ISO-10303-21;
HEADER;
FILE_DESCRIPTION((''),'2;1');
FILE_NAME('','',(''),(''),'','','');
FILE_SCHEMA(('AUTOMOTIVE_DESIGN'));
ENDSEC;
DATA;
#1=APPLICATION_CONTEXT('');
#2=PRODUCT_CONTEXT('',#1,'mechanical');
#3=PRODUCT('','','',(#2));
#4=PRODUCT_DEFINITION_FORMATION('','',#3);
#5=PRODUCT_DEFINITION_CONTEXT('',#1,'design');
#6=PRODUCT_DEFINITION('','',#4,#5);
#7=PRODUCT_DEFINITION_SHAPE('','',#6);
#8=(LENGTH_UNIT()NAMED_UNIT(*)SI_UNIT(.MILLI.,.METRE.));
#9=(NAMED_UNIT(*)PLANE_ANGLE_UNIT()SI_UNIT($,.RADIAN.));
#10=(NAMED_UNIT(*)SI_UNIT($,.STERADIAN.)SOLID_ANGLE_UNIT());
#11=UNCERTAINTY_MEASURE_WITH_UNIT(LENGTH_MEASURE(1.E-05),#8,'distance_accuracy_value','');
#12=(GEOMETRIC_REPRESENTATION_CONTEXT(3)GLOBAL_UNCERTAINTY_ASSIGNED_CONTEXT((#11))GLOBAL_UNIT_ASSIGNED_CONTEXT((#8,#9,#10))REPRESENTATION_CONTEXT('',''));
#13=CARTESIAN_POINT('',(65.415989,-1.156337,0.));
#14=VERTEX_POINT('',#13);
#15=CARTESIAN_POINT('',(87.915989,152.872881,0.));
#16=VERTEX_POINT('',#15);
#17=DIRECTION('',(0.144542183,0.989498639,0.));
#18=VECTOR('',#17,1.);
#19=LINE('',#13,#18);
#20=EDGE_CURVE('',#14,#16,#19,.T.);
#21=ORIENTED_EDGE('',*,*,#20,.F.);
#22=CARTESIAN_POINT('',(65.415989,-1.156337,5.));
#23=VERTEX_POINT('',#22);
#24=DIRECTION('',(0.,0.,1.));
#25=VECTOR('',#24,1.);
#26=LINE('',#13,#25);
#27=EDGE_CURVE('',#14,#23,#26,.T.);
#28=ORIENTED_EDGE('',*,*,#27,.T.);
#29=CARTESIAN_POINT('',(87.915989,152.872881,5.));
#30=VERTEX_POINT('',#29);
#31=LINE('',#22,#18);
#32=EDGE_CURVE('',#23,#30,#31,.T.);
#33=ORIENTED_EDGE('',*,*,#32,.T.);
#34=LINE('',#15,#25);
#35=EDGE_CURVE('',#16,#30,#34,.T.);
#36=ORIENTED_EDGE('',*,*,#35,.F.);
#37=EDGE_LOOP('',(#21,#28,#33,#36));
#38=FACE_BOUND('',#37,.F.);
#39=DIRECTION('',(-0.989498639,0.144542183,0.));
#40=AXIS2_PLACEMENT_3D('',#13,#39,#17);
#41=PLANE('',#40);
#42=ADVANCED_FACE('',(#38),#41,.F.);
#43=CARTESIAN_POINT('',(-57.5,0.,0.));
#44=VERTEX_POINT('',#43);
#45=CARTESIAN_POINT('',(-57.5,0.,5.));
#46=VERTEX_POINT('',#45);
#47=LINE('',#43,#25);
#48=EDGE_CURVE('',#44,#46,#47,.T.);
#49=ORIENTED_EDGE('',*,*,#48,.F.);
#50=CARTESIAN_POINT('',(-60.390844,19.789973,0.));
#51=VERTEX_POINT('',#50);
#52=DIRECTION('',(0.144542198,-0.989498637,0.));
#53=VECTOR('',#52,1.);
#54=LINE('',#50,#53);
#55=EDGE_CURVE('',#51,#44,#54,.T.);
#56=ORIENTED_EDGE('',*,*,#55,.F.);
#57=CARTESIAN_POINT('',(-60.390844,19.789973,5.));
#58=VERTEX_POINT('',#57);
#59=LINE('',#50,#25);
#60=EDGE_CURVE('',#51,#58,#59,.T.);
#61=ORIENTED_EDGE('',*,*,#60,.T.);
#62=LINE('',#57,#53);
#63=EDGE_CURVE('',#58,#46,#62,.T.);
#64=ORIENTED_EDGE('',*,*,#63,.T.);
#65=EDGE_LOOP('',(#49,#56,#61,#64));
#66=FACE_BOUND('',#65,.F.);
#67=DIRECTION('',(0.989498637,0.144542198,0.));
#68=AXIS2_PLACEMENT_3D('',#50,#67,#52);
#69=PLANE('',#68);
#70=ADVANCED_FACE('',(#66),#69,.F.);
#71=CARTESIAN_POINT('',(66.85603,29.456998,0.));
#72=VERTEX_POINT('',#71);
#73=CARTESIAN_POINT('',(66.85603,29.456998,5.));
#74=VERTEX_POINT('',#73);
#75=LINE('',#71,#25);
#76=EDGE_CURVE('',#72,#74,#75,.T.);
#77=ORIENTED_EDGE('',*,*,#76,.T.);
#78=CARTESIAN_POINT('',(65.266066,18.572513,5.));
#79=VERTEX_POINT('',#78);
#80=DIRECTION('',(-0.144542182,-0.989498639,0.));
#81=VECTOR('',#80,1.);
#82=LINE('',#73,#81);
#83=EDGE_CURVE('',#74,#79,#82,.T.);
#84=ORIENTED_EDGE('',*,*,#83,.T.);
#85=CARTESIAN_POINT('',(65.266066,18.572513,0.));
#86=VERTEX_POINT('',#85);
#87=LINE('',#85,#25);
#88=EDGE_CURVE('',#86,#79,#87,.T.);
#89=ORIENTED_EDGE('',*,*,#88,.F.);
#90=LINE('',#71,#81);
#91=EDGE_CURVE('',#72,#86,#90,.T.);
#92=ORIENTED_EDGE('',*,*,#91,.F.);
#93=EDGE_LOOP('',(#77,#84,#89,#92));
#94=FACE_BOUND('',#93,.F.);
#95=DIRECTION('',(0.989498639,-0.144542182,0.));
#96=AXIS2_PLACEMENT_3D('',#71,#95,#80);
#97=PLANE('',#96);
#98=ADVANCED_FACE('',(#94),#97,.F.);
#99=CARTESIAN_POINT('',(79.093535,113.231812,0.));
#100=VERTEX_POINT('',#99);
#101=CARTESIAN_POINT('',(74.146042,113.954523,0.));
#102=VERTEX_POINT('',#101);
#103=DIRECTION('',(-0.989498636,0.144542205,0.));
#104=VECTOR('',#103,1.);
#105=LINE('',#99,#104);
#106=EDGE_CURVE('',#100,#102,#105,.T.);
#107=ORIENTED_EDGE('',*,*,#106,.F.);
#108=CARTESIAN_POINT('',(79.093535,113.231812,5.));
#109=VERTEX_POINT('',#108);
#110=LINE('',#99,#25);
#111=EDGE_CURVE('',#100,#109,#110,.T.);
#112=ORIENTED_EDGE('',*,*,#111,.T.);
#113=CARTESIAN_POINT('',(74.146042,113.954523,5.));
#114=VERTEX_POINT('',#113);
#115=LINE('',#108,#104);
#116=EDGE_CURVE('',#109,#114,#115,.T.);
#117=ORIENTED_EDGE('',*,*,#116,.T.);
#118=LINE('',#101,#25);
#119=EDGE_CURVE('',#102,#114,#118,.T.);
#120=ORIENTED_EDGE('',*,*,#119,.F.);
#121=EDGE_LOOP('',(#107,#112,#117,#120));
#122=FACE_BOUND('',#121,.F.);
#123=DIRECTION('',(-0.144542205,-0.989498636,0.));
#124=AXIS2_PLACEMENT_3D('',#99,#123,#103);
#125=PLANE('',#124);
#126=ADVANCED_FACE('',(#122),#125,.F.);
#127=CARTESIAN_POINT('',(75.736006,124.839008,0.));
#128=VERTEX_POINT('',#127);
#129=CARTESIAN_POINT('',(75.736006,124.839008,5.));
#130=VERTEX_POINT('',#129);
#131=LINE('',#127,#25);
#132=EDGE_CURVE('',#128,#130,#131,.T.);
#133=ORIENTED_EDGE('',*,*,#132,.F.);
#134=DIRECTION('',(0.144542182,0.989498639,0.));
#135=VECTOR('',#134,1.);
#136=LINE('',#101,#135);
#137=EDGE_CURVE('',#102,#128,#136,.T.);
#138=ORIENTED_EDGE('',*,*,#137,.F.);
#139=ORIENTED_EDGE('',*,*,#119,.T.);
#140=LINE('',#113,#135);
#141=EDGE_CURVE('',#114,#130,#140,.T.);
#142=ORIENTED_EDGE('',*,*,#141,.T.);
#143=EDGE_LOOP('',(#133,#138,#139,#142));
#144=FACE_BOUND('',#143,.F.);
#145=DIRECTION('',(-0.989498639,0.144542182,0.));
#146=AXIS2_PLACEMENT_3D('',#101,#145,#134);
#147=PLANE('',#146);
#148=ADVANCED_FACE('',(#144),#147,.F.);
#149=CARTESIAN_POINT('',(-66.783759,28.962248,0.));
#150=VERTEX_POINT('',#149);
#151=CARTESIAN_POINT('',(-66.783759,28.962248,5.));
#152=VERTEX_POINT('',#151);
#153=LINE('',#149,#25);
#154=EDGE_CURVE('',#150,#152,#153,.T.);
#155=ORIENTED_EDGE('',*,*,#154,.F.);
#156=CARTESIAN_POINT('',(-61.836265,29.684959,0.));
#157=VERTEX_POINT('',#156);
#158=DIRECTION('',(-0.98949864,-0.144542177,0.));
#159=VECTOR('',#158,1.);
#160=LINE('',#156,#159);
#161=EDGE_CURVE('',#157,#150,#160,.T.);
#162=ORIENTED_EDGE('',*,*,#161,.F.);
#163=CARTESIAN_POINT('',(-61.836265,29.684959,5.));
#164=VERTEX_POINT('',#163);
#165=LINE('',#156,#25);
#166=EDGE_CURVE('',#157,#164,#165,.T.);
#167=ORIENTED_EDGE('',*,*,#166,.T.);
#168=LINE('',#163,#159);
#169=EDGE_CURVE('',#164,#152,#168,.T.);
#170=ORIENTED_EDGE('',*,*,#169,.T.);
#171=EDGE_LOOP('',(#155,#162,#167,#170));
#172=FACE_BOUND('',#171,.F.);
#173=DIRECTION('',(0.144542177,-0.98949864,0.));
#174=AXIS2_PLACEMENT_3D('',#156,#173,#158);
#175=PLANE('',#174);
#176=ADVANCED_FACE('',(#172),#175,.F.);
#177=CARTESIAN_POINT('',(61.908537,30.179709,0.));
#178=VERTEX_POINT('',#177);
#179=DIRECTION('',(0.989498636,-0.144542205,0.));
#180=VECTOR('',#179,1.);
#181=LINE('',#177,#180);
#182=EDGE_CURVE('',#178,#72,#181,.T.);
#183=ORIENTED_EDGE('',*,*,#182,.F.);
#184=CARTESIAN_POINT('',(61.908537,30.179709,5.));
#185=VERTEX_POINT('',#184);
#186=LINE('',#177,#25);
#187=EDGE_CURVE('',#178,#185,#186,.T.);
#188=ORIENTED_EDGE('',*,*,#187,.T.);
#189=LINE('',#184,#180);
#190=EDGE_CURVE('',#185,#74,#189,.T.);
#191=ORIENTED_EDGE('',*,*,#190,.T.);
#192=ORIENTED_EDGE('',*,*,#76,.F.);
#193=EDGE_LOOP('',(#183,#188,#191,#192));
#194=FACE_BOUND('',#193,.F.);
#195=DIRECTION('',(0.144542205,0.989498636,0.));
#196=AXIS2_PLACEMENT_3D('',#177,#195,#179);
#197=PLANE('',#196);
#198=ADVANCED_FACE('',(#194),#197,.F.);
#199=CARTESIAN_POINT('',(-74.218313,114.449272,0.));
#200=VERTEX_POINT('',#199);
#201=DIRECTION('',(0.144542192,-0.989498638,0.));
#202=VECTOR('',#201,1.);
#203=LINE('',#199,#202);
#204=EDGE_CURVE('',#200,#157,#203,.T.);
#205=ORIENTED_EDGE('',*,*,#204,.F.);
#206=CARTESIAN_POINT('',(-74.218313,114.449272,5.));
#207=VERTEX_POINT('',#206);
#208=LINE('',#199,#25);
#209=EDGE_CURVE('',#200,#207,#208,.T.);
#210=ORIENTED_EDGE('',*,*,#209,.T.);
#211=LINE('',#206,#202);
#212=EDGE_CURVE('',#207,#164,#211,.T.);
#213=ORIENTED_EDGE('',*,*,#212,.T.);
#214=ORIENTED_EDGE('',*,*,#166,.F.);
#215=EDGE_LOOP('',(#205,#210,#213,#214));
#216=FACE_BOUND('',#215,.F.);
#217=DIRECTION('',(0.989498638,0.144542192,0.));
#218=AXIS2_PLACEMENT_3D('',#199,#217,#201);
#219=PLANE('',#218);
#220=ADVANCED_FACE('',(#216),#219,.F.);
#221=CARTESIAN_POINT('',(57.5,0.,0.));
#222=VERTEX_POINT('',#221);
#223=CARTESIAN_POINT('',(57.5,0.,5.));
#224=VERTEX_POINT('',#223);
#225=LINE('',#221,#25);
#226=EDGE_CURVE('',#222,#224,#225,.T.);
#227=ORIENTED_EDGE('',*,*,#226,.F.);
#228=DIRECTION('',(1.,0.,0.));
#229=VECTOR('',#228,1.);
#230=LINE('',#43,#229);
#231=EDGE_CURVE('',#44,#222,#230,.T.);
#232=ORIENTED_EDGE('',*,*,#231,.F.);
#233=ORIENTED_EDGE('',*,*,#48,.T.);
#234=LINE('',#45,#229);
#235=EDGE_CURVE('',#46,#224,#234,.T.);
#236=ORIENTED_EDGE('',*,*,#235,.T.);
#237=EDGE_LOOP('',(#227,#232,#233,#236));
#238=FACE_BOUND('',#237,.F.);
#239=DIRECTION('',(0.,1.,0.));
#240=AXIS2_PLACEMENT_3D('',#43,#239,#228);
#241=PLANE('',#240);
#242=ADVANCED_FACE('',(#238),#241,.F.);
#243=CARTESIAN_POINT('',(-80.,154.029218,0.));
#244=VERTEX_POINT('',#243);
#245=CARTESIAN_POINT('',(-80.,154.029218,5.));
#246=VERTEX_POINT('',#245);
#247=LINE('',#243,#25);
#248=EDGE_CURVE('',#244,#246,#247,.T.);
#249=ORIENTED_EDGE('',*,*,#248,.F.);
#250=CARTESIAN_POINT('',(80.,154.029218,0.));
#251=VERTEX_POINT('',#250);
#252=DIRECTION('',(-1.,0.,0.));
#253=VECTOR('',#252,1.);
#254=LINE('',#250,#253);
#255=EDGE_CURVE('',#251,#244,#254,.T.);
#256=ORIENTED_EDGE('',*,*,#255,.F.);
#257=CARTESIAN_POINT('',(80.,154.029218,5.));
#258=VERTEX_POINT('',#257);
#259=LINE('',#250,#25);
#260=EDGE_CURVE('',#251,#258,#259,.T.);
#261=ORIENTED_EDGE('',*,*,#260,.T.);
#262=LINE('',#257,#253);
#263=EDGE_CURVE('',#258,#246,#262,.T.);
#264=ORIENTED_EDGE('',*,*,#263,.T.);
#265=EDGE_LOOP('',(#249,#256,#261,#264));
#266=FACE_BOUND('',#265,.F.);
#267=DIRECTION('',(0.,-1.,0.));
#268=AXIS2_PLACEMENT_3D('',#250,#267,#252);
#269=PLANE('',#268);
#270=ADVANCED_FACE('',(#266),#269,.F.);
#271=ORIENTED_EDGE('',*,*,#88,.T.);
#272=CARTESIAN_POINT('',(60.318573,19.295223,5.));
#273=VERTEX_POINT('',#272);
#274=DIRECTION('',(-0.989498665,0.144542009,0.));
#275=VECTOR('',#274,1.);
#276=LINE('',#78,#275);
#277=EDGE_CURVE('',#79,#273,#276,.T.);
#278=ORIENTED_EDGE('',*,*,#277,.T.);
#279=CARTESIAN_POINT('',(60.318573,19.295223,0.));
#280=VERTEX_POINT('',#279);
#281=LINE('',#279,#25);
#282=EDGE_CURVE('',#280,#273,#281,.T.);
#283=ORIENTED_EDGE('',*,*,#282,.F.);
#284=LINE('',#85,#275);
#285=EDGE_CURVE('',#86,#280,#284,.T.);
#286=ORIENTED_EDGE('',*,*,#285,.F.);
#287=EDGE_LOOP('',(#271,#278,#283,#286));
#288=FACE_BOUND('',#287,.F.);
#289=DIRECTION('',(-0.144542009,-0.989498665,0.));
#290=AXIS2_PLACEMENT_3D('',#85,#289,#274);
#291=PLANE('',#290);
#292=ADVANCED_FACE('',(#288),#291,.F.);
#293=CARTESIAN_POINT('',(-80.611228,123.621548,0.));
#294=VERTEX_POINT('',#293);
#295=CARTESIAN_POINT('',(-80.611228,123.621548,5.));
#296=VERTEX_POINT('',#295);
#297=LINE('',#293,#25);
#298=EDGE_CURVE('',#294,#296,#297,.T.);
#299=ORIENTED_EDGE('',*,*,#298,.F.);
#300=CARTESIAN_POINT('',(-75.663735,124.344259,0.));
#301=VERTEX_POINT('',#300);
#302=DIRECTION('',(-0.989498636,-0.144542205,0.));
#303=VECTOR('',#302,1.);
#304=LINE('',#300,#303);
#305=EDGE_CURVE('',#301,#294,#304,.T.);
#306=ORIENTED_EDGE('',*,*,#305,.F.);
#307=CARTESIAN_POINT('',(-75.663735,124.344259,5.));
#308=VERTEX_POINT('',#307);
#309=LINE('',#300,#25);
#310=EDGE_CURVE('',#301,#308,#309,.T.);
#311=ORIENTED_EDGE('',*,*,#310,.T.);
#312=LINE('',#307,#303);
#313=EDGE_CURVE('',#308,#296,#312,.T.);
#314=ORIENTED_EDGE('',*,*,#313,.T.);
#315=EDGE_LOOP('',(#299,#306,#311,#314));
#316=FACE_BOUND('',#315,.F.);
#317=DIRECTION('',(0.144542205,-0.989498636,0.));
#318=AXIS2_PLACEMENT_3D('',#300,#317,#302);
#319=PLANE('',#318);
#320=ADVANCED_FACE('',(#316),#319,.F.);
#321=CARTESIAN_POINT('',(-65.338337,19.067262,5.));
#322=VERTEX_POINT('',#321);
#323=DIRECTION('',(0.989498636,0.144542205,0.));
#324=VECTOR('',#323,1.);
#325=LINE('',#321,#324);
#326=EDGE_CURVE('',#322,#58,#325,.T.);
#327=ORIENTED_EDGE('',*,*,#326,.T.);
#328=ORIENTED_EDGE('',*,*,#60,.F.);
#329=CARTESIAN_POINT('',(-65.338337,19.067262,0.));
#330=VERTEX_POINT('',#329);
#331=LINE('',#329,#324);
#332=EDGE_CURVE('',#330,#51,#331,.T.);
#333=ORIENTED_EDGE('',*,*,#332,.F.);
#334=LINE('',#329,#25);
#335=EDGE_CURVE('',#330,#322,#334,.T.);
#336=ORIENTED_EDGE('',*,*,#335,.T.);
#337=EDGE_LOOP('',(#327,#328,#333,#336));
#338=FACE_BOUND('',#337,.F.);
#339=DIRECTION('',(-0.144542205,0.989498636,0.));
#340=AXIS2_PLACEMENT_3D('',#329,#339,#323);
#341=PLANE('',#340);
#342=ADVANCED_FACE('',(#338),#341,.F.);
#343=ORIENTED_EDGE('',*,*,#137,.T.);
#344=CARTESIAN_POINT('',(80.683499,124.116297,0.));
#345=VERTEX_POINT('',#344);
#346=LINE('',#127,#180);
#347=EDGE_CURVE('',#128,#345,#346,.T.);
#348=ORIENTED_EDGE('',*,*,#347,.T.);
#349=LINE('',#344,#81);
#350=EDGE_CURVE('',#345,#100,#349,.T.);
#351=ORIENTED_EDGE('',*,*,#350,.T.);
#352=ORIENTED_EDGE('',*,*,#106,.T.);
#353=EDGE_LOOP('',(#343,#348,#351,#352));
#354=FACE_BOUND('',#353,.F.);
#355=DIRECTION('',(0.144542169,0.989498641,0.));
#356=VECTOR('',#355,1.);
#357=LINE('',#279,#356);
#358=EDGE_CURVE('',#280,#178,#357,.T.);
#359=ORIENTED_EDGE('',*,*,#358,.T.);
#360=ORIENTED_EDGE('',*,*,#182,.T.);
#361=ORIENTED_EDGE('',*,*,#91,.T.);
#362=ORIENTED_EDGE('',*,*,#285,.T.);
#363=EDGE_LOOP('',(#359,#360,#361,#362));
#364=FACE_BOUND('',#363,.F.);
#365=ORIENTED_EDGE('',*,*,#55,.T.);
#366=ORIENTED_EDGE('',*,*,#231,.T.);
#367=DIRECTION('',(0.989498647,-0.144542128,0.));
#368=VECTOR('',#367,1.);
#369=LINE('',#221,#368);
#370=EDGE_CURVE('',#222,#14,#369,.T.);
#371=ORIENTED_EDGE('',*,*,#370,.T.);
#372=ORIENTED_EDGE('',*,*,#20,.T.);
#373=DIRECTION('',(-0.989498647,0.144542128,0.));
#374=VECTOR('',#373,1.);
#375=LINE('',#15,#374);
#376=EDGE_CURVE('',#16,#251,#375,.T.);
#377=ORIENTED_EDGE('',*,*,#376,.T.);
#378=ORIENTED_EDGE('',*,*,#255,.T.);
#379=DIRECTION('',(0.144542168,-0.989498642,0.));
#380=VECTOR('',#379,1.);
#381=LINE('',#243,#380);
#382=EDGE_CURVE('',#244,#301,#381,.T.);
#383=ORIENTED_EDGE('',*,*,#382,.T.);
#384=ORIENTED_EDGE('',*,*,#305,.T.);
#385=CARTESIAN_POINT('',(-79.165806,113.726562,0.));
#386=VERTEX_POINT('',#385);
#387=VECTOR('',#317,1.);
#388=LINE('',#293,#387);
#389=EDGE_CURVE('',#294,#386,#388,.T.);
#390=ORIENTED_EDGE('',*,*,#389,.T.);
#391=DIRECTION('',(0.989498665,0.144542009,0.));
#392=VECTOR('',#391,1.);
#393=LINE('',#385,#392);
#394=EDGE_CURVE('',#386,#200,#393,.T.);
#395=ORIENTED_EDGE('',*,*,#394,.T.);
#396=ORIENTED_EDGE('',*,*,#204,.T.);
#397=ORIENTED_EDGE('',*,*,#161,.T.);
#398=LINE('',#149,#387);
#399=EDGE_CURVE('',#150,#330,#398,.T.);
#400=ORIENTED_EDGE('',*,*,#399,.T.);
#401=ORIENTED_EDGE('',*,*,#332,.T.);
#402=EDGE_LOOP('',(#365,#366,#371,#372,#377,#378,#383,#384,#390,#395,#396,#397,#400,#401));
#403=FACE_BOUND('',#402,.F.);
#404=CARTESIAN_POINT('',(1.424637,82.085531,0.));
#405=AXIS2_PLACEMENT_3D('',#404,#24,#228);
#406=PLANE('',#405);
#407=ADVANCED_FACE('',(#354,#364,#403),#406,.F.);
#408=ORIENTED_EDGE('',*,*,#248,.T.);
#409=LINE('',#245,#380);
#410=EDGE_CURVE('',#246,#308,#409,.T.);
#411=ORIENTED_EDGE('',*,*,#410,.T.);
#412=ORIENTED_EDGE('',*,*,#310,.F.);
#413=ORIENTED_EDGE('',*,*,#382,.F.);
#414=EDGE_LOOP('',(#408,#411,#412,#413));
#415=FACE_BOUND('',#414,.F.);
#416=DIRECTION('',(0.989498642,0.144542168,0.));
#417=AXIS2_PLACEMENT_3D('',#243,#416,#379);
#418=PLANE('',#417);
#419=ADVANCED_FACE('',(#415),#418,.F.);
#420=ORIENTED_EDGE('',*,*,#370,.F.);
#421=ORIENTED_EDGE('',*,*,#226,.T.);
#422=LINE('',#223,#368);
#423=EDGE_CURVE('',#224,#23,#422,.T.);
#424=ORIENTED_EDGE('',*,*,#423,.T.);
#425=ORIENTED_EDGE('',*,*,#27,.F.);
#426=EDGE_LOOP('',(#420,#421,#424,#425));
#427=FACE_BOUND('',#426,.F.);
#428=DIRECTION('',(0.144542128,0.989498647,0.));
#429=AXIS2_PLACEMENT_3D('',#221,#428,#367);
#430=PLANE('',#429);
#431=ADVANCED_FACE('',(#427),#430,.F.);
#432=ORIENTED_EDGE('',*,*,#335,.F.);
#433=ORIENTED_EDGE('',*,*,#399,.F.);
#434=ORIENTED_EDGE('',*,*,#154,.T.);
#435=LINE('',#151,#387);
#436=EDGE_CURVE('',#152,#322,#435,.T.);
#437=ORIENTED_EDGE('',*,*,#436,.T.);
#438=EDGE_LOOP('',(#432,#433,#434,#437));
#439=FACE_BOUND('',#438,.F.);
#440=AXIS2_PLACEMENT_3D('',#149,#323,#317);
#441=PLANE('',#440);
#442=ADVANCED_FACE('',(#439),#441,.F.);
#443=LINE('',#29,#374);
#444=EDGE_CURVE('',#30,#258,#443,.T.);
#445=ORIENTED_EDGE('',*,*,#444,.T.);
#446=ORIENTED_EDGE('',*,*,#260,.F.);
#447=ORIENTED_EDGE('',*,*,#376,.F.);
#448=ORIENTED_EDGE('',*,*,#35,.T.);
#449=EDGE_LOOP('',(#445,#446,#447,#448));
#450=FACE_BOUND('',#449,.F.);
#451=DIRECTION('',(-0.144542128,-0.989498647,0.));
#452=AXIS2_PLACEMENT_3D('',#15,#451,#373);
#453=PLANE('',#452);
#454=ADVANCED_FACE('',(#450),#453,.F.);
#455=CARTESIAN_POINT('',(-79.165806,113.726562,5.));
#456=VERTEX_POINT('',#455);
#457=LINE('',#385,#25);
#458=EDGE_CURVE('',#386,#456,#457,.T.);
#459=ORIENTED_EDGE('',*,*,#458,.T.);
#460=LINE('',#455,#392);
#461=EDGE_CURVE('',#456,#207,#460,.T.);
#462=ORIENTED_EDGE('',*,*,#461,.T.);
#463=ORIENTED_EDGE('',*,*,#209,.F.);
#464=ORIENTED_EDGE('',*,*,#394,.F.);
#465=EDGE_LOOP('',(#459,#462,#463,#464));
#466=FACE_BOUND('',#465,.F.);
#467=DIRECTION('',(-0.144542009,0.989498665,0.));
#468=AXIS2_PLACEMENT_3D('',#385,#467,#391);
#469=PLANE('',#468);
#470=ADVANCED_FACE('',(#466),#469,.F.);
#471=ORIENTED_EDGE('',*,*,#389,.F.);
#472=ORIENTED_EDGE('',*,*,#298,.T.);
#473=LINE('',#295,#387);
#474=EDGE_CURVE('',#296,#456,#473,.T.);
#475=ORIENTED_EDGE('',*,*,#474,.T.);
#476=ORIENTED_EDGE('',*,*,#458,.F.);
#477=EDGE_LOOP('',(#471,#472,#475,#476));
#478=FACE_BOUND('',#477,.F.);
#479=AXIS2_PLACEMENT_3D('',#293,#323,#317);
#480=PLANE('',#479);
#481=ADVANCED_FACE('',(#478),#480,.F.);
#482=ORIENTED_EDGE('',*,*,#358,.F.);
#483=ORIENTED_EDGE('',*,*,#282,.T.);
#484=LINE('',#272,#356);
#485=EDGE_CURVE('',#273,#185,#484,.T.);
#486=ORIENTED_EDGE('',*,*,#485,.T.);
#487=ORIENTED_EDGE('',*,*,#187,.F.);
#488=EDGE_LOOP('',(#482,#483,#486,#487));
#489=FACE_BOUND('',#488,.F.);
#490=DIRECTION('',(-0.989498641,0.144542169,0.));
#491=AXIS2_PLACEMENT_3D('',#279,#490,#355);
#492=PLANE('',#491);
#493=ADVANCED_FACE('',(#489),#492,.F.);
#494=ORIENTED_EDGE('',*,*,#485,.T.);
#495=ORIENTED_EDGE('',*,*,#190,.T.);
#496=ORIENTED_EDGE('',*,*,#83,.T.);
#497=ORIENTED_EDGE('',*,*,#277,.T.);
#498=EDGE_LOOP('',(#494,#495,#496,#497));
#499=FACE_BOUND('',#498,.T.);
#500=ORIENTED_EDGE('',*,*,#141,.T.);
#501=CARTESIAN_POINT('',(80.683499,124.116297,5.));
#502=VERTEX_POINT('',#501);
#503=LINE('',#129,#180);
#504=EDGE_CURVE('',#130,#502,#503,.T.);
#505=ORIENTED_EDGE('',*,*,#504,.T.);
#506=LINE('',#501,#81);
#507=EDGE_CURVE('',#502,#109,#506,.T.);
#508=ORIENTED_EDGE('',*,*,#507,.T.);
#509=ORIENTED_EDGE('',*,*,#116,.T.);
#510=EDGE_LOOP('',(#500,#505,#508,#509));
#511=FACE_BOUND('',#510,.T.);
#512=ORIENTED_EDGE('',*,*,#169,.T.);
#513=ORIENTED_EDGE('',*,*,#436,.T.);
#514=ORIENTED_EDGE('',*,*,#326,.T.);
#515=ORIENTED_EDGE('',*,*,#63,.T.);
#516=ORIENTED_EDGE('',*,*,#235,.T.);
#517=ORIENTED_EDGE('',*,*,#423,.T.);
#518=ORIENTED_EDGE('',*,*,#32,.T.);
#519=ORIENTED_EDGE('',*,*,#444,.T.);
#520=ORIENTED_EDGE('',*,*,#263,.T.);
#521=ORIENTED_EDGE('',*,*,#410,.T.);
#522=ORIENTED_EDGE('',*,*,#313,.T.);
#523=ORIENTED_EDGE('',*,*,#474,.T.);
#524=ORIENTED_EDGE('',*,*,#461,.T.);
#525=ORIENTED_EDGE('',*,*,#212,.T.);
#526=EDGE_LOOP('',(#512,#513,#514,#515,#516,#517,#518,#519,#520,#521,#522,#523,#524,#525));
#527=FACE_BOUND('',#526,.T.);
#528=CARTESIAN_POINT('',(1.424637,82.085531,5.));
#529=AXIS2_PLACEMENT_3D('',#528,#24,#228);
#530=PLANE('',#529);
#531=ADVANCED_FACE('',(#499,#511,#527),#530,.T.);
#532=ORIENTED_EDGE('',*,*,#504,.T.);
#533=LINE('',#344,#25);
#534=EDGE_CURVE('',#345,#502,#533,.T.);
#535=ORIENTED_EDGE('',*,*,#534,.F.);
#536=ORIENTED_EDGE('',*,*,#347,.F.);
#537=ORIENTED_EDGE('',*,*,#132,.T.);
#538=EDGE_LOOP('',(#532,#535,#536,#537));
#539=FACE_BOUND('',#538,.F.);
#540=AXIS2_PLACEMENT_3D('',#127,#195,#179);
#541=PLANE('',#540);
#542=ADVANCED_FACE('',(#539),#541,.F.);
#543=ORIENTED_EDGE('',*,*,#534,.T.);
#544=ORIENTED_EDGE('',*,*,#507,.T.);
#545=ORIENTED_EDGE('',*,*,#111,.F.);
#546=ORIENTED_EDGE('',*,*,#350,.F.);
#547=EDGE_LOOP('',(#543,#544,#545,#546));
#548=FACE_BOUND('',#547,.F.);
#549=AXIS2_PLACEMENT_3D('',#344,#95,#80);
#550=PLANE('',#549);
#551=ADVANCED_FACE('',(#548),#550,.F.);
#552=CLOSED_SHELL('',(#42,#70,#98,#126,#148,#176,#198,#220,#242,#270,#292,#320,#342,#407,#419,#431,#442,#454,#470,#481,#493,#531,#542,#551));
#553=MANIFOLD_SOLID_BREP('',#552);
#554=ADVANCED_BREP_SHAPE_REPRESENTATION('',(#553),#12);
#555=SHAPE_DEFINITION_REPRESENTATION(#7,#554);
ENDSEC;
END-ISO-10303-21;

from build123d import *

# Parameters (mm, degrees)
F1_DEPTH = 5


with BuildPart() as f1:
    # F0 (on Top) → F1 (new body)
    with BuildSketch(Plane.XY):
        Polygon((80, 154.029218), (-80, 154.029218), (-75.663735, 124.344259), (-80.611228, 123.621548), (-79.165806, 113.726562), (-74.218313, 114.449272), (-61.836265, 29.684959), (-66.783759, 28.962248), (-65.338337, 19.067262), (-60.390844, 19.789973), (-57.5, 0), (57.5, 0), (65.415989, -1.156337), (87.915989, 152.872881), align=None)
        Polygon((65.266066, 18.572513), (60.318573, 19.295223), (61.908537, 30.179709), (66.85603, 29.456998), align=None, mode=Mode.SUBTRACT)
        Polygon((79.093535, 113.231812), (74.146042, 113.954523), (75.736006, 124.839008), (80.683499, 124.116297), align=None, mode=Mode.SUBTRACT)
    extrude(amount=F1_DEPTH)


solid = f1.part
